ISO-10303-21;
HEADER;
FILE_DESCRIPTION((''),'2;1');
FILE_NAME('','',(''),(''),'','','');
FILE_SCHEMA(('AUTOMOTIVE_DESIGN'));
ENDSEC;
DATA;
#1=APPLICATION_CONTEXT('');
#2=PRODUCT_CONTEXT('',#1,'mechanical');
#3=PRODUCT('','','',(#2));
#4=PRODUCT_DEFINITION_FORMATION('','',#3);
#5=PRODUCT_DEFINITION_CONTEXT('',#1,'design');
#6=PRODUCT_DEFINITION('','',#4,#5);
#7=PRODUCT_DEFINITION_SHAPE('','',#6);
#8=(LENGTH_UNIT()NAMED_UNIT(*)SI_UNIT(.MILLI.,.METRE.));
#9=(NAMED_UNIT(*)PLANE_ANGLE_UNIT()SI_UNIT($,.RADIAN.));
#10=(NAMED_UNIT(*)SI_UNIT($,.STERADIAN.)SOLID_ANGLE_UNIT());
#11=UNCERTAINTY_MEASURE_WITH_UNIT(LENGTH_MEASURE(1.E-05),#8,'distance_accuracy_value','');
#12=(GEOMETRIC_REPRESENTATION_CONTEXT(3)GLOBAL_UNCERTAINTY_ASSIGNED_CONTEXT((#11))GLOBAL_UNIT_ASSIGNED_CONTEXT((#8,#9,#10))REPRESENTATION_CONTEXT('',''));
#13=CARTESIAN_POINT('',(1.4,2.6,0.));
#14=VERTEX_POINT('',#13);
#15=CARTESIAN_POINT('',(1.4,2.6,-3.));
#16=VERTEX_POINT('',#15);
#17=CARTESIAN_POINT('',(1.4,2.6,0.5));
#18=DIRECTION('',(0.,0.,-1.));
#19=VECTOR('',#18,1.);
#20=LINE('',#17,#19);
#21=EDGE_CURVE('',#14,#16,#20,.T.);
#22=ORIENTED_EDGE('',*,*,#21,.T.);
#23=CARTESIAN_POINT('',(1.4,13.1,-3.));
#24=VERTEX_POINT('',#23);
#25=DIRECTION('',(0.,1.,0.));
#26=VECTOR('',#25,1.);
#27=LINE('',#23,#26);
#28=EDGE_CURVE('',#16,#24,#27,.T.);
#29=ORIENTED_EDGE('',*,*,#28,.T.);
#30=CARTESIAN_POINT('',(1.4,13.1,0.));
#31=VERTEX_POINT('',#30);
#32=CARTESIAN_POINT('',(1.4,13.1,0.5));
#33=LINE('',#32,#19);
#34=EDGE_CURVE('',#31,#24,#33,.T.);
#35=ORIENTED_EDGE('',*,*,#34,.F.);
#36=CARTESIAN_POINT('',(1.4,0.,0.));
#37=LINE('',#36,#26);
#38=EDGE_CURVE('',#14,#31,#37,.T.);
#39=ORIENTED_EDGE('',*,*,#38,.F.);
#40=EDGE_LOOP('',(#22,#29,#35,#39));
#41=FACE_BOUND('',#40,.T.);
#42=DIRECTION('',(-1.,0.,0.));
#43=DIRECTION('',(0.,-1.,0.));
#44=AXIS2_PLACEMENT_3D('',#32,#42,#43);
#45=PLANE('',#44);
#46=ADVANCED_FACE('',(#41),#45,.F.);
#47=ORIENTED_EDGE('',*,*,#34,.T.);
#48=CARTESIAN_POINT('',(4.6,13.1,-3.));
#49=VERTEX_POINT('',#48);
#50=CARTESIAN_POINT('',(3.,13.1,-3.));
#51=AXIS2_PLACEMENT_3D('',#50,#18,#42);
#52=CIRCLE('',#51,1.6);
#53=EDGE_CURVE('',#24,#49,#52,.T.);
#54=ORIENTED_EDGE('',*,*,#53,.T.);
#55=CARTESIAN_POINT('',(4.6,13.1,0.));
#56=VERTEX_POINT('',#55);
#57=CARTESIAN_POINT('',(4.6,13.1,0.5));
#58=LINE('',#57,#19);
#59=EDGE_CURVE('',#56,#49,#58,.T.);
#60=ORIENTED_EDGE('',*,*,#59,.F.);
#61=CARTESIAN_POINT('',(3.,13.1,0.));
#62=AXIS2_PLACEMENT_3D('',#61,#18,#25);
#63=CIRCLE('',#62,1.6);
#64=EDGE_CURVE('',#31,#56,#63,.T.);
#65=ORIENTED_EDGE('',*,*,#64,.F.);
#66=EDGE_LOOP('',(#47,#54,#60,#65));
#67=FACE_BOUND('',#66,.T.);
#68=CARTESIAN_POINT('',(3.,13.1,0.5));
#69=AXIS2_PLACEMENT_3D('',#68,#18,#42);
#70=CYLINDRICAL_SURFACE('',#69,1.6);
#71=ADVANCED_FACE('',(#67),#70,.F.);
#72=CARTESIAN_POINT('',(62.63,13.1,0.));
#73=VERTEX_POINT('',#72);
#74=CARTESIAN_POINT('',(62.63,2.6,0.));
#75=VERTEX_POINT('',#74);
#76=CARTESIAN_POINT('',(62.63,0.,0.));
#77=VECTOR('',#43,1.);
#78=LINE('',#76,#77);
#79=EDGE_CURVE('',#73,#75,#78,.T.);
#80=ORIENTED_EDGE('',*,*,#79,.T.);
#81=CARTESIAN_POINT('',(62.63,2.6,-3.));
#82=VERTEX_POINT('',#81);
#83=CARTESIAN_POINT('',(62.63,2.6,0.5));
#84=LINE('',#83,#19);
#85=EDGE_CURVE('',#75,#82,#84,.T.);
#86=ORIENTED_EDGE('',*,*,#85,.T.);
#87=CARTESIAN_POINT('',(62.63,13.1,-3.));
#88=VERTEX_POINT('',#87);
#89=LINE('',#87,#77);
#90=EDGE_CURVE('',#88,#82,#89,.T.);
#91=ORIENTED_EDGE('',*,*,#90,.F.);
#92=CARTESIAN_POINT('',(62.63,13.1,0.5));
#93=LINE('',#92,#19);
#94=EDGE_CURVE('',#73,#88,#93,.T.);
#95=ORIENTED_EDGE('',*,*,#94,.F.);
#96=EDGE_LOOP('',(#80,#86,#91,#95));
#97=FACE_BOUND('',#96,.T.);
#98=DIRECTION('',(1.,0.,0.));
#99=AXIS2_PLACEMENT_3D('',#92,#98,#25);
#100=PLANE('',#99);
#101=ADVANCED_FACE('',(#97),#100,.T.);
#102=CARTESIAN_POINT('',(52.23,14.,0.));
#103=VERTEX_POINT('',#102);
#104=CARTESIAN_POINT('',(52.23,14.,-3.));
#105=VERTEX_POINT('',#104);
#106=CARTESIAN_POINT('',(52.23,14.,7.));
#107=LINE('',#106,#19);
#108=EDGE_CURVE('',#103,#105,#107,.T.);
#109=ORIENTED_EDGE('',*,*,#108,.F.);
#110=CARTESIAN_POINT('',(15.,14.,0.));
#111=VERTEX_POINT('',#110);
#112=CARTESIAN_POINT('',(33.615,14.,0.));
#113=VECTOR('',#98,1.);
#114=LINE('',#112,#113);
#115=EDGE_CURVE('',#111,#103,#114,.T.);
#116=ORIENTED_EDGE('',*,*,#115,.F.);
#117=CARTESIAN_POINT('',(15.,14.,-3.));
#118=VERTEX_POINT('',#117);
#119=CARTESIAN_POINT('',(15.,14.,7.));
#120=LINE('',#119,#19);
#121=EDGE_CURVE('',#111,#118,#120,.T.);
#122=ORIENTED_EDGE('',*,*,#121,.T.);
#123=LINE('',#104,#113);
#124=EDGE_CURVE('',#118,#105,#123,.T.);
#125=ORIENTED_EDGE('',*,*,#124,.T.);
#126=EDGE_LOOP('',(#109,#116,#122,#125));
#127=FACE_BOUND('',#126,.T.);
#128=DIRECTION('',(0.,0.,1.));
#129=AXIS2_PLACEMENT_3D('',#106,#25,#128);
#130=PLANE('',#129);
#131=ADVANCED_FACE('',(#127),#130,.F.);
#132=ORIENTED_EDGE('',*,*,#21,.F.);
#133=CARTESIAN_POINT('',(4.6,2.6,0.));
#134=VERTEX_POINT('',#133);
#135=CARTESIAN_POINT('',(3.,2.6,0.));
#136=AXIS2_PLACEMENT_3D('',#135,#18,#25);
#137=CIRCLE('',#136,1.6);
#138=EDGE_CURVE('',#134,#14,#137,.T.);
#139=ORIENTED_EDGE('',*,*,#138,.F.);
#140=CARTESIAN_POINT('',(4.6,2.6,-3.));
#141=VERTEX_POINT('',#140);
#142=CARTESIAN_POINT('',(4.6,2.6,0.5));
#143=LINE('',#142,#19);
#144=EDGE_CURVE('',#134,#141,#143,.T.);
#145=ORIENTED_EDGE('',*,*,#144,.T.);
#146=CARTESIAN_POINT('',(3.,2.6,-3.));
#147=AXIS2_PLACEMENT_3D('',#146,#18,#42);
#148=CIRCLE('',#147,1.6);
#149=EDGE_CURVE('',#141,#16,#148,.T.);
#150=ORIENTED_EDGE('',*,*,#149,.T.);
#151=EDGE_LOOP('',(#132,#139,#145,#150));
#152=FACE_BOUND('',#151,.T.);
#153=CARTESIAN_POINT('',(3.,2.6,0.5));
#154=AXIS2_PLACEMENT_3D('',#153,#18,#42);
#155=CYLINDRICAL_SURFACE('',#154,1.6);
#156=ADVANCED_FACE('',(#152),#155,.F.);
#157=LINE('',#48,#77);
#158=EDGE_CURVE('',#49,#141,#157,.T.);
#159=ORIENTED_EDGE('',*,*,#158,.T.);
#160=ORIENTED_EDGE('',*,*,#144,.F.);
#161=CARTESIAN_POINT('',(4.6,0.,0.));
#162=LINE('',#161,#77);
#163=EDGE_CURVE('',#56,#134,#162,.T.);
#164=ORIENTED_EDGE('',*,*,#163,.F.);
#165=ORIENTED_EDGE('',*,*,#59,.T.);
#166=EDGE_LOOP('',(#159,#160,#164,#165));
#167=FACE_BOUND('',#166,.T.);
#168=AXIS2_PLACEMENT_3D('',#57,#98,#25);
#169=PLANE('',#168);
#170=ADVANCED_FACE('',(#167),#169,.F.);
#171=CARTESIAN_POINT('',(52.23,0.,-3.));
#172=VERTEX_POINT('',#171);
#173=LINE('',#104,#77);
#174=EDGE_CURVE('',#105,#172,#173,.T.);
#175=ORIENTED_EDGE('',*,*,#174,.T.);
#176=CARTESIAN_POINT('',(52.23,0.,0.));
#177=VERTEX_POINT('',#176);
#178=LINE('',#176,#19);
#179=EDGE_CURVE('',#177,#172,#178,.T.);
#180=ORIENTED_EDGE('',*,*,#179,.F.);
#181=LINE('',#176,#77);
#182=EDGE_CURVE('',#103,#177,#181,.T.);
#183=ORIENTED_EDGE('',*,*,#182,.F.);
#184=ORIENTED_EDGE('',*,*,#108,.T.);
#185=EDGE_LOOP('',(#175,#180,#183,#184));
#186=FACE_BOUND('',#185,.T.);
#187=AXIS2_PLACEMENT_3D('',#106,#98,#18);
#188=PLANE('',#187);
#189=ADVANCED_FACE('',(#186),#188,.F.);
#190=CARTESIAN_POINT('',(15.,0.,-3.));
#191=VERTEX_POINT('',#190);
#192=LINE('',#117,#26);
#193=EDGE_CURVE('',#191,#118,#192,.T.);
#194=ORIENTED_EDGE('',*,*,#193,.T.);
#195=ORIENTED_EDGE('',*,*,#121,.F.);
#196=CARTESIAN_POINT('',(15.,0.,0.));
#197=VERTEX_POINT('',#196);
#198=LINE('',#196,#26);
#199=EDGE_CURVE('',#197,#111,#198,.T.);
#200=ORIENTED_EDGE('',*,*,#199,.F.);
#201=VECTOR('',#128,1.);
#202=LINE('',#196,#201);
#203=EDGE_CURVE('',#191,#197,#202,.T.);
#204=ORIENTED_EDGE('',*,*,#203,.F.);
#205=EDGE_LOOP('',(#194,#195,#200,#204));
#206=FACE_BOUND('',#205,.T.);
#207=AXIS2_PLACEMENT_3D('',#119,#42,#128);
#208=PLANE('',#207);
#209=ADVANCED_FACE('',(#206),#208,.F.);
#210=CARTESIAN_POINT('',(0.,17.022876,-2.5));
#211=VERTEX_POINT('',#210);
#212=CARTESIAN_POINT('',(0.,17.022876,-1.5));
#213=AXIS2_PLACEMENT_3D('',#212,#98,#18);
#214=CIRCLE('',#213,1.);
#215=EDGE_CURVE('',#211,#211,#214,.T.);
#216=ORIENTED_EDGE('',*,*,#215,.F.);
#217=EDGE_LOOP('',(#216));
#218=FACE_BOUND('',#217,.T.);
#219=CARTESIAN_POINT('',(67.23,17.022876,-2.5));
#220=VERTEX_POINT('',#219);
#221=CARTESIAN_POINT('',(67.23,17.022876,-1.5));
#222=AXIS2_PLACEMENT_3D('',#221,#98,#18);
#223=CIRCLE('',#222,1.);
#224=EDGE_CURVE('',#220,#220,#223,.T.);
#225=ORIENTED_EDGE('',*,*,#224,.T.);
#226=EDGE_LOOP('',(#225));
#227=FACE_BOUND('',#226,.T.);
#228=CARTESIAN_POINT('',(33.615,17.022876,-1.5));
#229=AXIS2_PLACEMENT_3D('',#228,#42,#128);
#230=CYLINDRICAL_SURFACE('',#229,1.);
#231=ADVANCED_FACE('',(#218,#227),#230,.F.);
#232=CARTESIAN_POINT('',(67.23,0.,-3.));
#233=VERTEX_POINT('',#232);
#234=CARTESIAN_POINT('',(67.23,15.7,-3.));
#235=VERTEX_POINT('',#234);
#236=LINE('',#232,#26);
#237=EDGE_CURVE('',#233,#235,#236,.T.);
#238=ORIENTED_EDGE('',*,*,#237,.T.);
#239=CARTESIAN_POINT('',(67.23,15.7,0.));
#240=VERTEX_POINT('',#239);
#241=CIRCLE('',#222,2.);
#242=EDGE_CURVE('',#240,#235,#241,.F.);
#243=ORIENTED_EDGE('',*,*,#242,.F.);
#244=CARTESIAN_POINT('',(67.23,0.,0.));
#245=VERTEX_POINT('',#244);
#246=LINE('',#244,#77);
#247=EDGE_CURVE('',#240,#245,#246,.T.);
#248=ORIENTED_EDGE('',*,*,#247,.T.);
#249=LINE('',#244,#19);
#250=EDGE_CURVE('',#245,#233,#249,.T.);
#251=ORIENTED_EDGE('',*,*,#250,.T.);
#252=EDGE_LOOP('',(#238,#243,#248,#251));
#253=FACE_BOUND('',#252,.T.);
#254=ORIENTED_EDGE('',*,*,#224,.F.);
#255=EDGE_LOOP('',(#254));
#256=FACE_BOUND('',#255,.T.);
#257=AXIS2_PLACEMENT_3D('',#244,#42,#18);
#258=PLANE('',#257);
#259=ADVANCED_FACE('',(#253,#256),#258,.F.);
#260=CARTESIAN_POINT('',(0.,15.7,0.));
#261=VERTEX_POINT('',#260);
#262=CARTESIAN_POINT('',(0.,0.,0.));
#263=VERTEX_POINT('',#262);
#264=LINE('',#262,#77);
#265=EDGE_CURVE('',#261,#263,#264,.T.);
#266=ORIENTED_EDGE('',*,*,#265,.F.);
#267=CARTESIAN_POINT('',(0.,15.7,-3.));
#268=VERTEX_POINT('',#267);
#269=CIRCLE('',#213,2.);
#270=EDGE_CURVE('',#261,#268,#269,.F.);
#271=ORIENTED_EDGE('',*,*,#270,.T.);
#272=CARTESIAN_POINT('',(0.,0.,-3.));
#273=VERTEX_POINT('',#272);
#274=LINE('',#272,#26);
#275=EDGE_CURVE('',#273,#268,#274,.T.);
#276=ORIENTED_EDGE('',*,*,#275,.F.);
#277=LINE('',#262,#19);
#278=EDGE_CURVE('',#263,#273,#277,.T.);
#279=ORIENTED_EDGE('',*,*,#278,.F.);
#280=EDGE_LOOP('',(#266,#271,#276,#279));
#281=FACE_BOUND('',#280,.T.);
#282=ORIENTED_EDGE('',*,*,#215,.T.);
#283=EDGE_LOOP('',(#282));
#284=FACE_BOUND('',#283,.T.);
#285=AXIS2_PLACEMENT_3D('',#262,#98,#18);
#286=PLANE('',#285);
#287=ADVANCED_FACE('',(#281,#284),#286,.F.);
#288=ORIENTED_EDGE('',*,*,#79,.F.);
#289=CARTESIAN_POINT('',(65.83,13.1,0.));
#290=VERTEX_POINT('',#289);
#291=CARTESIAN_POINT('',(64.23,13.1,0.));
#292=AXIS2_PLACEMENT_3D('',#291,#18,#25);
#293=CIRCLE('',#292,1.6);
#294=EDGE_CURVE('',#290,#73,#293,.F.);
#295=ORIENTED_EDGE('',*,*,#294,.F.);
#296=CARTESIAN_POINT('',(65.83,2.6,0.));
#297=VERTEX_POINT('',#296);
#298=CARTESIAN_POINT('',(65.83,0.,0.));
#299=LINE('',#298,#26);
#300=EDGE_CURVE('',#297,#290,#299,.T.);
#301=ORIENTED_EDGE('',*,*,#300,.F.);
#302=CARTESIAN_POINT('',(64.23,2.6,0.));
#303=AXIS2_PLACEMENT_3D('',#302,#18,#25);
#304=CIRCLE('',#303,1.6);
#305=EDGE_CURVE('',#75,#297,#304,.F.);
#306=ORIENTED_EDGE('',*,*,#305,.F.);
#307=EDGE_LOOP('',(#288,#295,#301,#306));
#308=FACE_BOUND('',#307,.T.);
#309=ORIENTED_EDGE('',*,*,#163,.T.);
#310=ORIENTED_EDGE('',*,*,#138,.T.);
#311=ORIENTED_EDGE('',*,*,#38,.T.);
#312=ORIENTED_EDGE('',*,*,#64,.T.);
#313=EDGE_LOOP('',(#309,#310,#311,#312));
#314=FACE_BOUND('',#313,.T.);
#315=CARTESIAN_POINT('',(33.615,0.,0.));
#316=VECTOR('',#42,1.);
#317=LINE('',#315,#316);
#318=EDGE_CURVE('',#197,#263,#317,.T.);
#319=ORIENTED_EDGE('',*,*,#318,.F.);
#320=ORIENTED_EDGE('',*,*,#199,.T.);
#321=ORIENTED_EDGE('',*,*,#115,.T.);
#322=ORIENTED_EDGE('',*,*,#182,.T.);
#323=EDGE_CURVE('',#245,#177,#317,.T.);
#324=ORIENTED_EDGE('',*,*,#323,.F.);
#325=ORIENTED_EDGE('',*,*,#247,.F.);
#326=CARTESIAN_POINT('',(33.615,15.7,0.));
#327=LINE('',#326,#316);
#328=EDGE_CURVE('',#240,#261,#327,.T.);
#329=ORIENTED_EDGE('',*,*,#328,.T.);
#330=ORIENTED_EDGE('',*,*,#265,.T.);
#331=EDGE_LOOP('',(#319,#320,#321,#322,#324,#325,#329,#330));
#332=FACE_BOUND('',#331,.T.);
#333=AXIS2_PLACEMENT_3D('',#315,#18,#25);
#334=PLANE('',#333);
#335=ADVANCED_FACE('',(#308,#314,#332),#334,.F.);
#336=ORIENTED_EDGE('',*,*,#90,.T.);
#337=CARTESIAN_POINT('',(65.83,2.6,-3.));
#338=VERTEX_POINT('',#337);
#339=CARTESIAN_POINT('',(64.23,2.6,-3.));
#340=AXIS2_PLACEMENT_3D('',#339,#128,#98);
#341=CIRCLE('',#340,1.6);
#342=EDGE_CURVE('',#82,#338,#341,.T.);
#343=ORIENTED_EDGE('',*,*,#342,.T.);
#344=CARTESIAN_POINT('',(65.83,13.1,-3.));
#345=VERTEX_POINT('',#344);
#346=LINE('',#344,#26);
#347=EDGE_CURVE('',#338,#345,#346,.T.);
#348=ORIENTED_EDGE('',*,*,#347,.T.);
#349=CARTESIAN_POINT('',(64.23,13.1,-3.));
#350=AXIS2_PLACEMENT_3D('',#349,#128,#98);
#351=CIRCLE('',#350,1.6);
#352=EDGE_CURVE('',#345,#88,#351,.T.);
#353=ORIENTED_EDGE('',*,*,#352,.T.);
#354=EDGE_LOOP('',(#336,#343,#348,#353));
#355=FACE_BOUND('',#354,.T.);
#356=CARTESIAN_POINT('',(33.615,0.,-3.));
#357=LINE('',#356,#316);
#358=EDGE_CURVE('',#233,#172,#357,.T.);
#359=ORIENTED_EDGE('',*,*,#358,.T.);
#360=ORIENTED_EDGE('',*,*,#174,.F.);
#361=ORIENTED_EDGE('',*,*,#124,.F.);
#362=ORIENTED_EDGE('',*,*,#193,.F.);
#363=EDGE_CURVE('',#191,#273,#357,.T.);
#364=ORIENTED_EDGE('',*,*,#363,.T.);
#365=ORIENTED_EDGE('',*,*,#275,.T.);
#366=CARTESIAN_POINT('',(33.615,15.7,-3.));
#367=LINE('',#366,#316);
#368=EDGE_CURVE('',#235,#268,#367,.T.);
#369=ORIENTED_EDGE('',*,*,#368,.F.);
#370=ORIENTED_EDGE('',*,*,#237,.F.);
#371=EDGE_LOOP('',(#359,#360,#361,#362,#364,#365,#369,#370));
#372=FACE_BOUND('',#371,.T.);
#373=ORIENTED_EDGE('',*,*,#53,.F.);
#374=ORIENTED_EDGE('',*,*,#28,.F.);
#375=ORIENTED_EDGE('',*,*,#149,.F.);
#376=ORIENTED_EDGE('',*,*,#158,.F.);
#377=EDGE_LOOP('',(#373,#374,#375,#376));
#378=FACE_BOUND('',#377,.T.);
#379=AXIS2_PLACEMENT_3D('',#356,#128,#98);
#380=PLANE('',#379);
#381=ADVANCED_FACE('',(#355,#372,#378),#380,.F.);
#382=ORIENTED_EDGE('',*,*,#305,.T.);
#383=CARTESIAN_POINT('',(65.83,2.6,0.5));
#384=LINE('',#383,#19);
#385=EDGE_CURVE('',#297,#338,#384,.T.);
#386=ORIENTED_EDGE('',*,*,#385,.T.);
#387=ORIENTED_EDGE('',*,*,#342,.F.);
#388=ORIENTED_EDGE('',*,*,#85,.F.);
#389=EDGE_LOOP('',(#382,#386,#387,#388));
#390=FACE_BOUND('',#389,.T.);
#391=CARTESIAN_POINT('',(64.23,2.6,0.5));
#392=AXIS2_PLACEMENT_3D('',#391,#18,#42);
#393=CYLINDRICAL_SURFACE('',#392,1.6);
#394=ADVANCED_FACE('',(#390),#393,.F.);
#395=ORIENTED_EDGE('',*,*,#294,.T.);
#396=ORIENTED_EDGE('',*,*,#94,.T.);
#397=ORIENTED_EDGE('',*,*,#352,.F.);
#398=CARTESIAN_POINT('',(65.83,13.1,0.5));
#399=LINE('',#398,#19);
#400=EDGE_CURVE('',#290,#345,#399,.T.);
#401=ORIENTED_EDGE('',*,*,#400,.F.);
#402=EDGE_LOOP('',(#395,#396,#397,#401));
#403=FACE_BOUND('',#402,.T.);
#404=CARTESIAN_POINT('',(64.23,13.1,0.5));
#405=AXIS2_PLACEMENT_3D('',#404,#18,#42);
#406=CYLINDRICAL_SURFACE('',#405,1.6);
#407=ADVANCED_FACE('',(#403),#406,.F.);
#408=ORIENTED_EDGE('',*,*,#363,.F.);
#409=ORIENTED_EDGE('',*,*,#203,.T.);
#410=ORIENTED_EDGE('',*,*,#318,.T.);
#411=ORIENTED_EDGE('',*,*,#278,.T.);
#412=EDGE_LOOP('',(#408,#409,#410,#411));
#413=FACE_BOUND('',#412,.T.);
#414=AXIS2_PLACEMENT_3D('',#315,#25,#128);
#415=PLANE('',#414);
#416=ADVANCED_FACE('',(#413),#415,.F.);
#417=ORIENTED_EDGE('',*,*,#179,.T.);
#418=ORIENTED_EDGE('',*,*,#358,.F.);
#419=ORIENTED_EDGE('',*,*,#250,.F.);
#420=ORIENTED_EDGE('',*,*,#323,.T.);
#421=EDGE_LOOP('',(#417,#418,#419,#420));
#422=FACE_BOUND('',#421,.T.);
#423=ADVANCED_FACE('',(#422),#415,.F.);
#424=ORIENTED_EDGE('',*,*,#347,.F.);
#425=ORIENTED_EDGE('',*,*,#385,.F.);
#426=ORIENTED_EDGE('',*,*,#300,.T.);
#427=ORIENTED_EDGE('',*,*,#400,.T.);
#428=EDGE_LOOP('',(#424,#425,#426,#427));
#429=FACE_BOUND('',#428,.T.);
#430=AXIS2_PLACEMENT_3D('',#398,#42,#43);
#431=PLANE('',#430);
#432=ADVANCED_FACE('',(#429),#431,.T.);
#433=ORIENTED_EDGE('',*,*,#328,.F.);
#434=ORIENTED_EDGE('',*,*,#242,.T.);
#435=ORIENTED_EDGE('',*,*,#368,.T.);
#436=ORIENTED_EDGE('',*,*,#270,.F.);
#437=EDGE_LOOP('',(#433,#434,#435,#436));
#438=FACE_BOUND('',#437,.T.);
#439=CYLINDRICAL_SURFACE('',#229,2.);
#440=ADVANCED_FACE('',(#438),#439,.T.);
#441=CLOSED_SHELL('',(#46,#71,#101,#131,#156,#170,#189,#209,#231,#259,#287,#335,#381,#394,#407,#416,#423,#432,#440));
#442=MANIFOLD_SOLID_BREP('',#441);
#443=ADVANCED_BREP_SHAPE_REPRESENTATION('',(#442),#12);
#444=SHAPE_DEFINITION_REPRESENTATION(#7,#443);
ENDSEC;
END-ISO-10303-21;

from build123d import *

# Parameters (mm, degrees)
SKETCH1_R           = 1
BOSS_EXTRUDE1_DEPTH = 33.615
CUT_EXTRUDE1_DEPTH  = 39.782573705
SKETCH3_W           = 37.23
SKETCH3_H           = 14
CUT_EXTRUDE3_DEPTH  = 10


with BuildPart() as part:
    # Sketch1 → Boss-Extrude1 (new body)
    with BuildSketch(Plane(origin=(0, 0, 0), x_dir=(0, 0, -1), z_dir=(1, 0, 0))):
        with BuildLine():
            ThreePointArc((0, 15.7), (1.5, 19.022875656), (3, 15.7))
            Line((3, 15.7), (3, 0))
            Line((3, 0), (0, 0))
            Line((0, 0), (0, 15.7))
        make_face()
        with Locations((1.5, 17.022875656)):
            Circle(SKETCH1_R, mode=Mode.SUBTRACT)
    boss_extrude1 = extrude(amount=BOSS_EXTRUDE1_DEPTH)

    # Sketch2 → Cut-Extrude1 (cut, through all)
    with BuildSketch(Plane(origin=(0, 0, -3), x_dir=(-1, 0, 0), z_dir=(0, 0, -1))):
        with BuildLine():
            Line((-1.4, 13.1), (-1.4, 2.6))
            ThreePointArc((-1.4, 2.6), (-3, 1), (-4.6, 2.6))
            Line((-4.6, 2.6), (-4.6, 13.1))
            ThreePointArc((-4.6, 13.1), (-3, 14.7), (-1.4, 13.1))
        make_face()
    cut_extrude1 = extrude(amount=-CUT_EXTRUDE1_DEPTH, mode=Mode.SUBTRACT)

    # Mirror1: Boss-Extrude1, Cut-Extrude1 across plane
    add(boss_extrude1.mirror(Plane(origin=(33.615, 0, 0), x_dir=(0, 0, 1), z_dir=(1, 0, 0))))
    add(cut_extrude1.mirror(Plane(origin=(33.615, 0, 0), x_dir=(0, 0, 1), z_dir=(1, 0, 0))), mode=Mode.SUBTRACT)

    # Sketch3 → Cut-Extrude3 (cut)
    with BuildSketch(Plane(origin=(0, 0, -3), x_dir=(-1, 0, 0), z_dir=(0, 0, -1))):
        with Locations((-33.615, 7)):
            Rectangle(SKETCH3_W, SKETCH3_H)
    extrude(amount=-CUT_EXTRUDE3_DEPTH, mode=Mode.SUBTRACT)


solid = part.part
